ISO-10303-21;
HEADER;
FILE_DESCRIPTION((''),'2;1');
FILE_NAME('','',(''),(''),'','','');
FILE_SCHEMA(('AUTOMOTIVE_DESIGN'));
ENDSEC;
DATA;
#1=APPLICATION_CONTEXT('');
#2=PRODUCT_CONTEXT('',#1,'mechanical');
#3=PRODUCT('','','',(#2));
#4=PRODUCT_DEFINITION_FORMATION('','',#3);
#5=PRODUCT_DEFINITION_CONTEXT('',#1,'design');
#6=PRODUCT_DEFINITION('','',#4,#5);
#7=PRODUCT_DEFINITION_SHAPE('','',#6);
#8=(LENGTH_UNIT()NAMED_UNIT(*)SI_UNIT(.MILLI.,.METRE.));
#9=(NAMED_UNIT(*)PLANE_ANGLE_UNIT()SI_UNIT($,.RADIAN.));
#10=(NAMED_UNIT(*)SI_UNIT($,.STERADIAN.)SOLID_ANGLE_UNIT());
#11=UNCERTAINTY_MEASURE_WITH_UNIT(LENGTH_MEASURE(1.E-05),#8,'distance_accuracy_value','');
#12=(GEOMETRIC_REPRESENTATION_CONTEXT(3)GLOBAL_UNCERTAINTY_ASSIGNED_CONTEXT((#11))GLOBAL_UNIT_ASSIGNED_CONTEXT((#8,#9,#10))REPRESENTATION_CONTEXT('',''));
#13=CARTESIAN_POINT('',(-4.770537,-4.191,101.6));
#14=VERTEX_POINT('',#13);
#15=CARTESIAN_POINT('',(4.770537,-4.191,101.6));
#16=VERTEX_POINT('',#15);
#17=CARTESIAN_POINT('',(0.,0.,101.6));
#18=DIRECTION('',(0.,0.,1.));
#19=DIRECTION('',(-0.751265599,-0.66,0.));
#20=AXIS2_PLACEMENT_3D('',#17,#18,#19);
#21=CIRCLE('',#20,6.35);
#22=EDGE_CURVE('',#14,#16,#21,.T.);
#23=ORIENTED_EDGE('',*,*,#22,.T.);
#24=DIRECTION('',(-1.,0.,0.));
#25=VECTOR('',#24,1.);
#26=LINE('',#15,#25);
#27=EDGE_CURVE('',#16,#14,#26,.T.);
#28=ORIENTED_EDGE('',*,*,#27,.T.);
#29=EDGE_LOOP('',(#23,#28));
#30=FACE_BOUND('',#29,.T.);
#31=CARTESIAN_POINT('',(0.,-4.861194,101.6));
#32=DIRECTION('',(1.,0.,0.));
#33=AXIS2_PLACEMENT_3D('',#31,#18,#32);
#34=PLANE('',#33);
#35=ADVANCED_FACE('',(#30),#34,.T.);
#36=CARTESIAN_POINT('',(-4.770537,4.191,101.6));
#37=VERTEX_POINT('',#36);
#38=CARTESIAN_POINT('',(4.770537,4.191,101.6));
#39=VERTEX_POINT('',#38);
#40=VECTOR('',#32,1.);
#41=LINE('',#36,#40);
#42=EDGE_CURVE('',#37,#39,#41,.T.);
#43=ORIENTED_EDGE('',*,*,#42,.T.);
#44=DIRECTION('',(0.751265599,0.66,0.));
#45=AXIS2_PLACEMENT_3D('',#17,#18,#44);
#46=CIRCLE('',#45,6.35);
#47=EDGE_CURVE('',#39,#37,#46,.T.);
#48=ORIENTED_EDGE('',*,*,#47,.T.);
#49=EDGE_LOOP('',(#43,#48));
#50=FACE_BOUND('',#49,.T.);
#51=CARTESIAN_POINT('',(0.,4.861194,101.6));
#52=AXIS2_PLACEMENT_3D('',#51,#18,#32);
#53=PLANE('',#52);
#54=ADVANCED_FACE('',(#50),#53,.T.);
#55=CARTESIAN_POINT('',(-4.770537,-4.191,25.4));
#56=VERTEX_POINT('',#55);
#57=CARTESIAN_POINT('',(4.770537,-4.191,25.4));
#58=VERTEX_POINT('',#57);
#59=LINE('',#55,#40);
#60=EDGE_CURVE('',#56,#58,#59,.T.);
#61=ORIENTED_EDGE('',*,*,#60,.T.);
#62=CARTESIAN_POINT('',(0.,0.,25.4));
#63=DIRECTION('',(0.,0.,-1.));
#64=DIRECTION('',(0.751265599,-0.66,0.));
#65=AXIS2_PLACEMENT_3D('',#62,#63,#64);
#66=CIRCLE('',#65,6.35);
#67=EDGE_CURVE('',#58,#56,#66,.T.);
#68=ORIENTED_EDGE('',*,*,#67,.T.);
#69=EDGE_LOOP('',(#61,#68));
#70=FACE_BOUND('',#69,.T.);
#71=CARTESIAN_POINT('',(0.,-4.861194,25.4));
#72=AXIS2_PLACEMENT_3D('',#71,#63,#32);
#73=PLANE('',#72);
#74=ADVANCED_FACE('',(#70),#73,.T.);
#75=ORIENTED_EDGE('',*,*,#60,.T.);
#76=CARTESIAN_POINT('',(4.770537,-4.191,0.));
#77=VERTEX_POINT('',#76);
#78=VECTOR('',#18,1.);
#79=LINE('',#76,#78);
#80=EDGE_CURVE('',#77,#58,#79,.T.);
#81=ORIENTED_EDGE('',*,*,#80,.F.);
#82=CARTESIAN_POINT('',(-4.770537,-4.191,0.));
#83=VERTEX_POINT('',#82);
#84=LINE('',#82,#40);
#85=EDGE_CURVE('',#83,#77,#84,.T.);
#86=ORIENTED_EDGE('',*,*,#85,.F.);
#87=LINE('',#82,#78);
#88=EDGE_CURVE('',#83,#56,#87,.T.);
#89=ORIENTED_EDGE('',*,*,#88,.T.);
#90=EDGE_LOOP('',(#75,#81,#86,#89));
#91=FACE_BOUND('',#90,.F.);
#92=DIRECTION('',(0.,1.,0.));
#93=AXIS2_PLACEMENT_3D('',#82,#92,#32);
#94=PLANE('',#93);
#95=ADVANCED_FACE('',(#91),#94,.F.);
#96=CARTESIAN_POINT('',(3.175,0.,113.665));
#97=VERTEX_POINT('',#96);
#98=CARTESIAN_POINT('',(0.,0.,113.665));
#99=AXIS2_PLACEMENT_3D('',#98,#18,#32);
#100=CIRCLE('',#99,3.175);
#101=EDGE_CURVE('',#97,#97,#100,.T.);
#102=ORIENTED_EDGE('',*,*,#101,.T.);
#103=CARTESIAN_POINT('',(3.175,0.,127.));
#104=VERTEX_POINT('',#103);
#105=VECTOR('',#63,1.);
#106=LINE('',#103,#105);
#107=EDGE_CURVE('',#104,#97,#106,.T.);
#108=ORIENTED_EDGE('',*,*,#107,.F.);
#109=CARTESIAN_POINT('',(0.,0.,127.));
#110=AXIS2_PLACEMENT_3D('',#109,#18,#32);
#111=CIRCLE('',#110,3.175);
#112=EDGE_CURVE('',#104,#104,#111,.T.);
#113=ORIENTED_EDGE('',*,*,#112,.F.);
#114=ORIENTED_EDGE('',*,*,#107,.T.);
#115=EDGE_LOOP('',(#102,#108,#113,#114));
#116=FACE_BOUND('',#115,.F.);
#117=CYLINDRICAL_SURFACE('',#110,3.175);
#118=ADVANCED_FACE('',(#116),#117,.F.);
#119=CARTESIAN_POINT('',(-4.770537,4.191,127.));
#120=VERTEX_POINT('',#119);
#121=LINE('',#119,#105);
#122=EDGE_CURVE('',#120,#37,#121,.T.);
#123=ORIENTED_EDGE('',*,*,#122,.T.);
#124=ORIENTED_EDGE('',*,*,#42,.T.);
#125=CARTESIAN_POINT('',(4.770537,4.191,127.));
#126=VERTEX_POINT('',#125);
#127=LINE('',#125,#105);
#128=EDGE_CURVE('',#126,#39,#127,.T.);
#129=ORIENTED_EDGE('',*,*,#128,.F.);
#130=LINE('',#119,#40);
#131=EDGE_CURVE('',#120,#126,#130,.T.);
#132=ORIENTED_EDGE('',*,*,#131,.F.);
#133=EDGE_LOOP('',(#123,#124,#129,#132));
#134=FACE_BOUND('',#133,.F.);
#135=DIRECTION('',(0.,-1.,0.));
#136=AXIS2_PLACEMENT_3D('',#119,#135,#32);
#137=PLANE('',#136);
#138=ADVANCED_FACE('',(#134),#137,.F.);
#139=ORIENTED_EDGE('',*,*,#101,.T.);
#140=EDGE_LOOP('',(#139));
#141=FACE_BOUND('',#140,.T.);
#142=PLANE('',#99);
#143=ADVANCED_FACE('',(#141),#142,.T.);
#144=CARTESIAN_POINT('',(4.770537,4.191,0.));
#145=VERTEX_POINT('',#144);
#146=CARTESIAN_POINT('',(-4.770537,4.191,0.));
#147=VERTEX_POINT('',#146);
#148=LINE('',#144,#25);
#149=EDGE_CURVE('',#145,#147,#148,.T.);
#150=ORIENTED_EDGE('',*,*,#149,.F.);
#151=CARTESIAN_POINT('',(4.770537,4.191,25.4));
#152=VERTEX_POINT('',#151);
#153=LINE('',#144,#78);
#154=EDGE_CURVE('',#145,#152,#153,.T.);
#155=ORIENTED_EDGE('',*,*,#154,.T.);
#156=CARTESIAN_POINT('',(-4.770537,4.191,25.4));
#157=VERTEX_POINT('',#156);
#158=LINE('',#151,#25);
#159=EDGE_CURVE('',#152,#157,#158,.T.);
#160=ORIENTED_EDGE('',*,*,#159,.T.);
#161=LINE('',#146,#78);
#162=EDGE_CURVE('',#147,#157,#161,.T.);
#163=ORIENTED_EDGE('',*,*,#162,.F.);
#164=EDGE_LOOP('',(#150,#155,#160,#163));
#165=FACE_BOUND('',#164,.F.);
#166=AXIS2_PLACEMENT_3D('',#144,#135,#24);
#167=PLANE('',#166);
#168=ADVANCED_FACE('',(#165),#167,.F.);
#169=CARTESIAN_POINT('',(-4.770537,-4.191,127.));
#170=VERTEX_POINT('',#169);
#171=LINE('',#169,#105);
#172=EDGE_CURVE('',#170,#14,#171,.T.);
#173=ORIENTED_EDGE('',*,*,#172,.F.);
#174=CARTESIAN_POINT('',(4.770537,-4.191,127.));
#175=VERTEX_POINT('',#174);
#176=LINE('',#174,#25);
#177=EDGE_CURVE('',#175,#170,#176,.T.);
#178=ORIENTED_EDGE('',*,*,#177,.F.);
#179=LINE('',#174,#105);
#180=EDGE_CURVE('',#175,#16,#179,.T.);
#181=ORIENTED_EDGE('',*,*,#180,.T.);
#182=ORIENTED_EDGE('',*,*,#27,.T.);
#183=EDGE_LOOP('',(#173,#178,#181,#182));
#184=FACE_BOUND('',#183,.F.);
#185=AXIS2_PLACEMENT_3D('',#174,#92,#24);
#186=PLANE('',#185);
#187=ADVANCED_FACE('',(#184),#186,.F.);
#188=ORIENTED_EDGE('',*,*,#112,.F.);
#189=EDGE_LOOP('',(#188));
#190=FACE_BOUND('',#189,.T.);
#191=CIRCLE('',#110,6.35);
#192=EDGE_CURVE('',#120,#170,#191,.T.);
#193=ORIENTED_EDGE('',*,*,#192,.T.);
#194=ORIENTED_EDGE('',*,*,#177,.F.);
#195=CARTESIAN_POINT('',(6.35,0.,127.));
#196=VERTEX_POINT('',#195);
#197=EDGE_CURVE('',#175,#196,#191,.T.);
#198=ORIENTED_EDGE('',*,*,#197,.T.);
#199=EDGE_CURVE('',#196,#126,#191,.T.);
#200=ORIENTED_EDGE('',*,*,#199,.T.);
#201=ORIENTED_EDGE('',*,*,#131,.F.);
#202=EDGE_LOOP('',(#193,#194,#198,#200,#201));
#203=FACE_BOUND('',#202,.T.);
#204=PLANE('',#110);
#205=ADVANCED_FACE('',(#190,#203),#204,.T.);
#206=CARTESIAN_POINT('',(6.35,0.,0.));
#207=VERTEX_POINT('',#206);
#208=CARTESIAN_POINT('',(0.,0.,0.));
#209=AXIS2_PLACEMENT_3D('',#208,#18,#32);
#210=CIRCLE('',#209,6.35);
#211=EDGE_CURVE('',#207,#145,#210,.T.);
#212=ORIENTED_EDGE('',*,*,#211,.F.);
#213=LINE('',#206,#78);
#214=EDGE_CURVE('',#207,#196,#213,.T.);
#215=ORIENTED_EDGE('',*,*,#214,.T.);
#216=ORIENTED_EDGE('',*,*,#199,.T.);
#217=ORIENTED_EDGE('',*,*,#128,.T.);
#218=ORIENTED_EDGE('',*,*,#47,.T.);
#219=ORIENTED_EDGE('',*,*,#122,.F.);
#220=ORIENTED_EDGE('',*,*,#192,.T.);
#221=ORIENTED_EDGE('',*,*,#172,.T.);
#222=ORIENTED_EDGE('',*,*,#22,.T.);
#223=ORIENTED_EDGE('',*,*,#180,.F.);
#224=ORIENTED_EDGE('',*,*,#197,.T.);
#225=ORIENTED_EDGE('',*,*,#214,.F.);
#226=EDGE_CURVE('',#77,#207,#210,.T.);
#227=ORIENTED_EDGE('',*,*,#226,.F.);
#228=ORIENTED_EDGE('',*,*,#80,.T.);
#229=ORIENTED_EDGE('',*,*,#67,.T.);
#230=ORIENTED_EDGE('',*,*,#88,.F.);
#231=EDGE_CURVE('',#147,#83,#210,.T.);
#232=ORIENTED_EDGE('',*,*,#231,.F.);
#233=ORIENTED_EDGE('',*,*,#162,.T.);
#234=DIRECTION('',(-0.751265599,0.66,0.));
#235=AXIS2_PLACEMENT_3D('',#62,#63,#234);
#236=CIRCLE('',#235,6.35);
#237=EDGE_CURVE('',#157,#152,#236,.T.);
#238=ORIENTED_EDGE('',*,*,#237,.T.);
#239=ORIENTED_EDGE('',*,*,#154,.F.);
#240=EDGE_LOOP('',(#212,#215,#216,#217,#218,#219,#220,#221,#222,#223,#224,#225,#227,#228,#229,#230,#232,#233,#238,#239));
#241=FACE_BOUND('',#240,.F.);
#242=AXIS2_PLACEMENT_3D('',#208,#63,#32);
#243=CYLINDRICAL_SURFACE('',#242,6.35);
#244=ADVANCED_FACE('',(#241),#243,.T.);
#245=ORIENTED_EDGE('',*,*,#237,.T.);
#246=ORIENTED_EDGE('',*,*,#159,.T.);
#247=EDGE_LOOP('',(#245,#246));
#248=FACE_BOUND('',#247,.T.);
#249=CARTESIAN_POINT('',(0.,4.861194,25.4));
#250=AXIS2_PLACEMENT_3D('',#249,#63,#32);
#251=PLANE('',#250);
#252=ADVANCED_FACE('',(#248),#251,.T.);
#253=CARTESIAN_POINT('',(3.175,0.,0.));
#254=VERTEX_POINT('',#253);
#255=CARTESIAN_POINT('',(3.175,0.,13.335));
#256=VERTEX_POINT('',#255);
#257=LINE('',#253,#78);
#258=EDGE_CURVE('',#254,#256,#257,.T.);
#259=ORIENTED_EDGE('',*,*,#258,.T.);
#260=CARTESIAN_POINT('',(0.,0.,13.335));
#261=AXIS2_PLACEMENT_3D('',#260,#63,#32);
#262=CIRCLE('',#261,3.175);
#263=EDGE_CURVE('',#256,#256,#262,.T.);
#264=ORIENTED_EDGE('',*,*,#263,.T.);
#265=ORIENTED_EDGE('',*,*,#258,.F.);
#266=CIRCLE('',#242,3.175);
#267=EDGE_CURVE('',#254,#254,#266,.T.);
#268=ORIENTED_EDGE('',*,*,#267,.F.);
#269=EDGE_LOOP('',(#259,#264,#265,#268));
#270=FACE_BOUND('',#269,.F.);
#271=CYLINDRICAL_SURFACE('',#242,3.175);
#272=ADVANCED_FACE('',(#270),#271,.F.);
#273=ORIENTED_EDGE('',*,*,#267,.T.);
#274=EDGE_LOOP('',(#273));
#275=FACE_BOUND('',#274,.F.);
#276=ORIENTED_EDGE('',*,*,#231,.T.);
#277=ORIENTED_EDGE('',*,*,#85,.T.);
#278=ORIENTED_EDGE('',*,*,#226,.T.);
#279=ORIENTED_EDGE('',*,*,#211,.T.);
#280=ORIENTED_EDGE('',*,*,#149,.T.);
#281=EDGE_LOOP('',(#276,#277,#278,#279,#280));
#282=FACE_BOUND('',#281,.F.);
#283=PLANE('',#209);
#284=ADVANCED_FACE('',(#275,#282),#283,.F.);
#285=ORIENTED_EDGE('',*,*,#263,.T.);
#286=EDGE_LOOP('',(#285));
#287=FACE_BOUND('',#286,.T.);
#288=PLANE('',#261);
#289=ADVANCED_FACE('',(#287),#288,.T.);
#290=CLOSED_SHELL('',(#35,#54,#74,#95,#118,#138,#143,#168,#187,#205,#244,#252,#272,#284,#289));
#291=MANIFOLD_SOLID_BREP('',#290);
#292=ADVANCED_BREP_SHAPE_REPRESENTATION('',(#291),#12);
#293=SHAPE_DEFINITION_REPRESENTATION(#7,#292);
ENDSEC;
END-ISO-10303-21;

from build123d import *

# Parameters (mm, degrees)
F0_R     = 6.35
F1_DEPTH = 127
F2_R     = 3.175
F3_DEPTH = 13.335
F4_R     = 3.175
F5_DEPTH = 13.335
F7_DEPTH = 25.4
F9_DEPTH = 25.4


with BuildPart() as f1:
    # F0 (on Top) → F1 (new body)
    with BuildSketch(Plane.XY):
        Circle(F0_R)
    extrude(amount=F1_DEPTH)

    # F2 (on face) → F3 (cut)
    with BuildSketch(Plane(origin=(0, 0, 0), x_dir=(1, 0, 0), z_dir=(0, 0, -1))):
        Circle(F2_R)
    extrude(amount=-F3_DEPTH, mode=Mode.SUBTRACT)

    # F4 (on face) → F5 (cut)
    with BuildSketch(Plane.XY.offset(127)):
        Circle(F4_R)
    extrude(amount=-F5_DEPTH, mode=Mode.SUBTRACT)

    # F6 (on face) → F7 (cut)
    with BuildSketch(Plane(origin=(0, 0, 0), x_dir=(1, 0, 0), z_dir=(0, 0, -1))):
        with BuildLine():
            Line((-4.7705365526, 4.191), (4.7705365526, 4.191))
            ThreePointArc((4.7705365526, 4.191), (0, 6.35), (-4.7705365526, 4.191))
        make_face()
        with BuildLine():
            Line((4.7705365526, -4.191), (-4.7705365526, -4.191))
            ThreePointArc((-4.7705365526, -4.191), (0, -6.35), (4.7705365526, -4.191))
        make_face()
    extrude(amount=-F7_DEPTH, mode=Mode.SUBTRACT)

    # F8 (on face) → F9 (cut)
    with BuildSketch(Plane.XY.offset(127)):
        with BuildLine():
            Line((4.7705365526, -4.191), (-4.7705365526, -4.191))
            ThreePointArc((-4.7705365526, -4.191), (0, -6.35), (4.7705365526, -4.191))
        make_face()
        with BuildLine():
            ThreePointArc((4.7705365526, 4.191), (0, 6.35), (-4.7705365526, 4.191))
            Line((-4.7705365526, 4.191), (4.7705365526, 4.191))
        make_face()
    extrude(amount=-F9_DEPTH, mode=Mode.SUBTRACT)


solid = f1.part
